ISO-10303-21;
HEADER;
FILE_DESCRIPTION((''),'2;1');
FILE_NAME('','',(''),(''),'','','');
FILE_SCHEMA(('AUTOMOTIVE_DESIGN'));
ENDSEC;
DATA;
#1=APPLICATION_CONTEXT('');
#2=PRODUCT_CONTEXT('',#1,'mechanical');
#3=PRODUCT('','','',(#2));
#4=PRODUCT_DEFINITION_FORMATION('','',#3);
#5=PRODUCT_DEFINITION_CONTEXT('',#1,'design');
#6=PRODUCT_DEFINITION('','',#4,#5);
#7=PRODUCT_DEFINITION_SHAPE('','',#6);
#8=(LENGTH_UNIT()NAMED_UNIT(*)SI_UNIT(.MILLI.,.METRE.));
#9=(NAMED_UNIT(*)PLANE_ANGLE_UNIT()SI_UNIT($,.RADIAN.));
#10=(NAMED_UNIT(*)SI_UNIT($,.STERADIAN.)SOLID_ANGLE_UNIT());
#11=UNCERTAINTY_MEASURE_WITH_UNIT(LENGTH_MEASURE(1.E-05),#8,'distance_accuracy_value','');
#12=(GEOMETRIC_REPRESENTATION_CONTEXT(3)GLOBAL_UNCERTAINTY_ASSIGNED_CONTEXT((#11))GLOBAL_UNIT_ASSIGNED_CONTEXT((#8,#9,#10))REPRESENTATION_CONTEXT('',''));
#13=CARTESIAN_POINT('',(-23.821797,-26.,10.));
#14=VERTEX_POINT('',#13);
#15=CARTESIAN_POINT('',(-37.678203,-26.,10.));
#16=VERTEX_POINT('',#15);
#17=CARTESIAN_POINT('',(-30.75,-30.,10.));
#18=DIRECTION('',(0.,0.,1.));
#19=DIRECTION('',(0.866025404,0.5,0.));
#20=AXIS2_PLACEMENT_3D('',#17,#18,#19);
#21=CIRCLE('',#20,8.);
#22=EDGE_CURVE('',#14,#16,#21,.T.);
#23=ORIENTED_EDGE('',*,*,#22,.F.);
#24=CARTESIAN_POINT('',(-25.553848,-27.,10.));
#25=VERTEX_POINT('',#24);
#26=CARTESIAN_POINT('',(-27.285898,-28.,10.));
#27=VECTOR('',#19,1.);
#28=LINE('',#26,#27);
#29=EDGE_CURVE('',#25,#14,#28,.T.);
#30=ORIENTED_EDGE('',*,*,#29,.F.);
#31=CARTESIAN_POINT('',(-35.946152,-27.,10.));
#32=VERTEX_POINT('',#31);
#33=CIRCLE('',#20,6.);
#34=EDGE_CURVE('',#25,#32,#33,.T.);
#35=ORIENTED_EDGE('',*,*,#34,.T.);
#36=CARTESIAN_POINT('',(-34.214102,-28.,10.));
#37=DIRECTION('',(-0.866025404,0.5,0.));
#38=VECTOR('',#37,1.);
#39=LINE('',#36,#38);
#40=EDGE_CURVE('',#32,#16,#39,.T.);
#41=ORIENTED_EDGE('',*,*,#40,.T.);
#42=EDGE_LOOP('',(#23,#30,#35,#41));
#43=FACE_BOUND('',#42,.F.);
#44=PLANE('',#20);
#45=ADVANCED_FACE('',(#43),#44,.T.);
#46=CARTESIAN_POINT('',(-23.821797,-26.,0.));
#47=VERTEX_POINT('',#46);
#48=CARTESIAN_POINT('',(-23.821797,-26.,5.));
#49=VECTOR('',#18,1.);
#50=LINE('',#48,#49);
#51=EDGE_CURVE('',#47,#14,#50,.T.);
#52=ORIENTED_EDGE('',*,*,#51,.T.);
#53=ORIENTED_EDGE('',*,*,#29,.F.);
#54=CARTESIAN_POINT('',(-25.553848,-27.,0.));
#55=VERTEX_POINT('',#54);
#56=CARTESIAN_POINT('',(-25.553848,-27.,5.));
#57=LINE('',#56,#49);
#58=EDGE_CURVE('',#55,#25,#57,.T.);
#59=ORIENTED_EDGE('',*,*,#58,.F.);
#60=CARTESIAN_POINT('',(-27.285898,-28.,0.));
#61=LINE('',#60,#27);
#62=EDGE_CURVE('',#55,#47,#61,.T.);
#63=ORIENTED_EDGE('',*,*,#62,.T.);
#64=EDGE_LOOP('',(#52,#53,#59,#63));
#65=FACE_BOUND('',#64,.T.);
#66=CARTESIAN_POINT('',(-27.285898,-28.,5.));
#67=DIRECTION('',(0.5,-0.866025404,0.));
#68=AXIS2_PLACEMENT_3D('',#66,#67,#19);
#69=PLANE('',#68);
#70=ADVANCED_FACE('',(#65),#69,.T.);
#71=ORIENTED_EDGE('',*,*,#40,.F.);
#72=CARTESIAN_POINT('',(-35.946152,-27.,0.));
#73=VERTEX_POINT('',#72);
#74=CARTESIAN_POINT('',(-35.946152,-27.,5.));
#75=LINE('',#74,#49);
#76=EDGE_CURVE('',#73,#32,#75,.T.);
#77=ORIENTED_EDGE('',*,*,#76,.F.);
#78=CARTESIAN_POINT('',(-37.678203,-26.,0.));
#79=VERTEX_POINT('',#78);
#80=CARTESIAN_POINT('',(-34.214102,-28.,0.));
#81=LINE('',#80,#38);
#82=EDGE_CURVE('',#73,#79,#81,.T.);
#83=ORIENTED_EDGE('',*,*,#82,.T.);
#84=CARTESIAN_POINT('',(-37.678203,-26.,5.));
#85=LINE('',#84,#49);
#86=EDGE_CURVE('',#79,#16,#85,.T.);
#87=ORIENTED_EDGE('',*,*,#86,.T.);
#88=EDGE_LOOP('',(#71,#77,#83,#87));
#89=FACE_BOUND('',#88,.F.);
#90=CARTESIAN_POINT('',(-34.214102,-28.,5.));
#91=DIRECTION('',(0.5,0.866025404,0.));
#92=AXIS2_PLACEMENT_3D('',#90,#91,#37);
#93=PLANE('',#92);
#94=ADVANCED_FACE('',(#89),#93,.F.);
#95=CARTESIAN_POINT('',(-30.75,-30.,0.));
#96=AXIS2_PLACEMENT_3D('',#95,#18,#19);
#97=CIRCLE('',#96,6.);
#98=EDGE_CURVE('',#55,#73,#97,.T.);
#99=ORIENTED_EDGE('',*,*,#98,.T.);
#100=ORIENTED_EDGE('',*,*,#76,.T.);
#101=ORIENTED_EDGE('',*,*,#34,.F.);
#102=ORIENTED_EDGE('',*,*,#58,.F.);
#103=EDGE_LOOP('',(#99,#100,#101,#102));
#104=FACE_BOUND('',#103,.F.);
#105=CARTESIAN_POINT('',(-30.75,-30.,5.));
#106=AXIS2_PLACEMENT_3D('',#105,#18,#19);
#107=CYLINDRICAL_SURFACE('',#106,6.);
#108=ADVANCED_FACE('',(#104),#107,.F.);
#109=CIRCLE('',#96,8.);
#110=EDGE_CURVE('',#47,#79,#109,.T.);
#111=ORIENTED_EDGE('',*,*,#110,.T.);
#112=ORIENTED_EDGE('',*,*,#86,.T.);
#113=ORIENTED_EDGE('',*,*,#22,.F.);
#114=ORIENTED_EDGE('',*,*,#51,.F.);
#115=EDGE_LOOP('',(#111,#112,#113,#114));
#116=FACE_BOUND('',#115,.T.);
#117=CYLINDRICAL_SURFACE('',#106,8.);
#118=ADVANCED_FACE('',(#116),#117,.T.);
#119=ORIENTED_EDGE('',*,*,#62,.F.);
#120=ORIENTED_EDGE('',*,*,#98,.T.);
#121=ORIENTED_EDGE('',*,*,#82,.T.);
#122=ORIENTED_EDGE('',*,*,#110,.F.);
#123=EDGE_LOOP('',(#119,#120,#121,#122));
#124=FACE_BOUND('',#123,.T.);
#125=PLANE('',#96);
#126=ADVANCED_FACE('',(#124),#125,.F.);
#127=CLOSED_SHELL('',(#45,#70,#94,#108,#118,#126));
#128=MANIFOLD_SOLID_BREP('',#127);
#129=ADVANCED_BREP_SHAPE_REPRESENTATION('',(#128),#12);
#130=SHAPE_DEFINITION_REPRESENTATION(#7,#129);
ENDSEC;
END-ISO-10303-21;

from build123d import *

# Parameters (mm, degrees)
CYLINDER020_W               = 6
CYLINDER020_H               = 10
CYLINDER020_ANGLE           = 120
CYLINDER020_PLACEMENT_ANGLE = 30
CYLINDER015_W               = 8
CYLINDER015_H               = 10
CYLINDER015_ANGLE           = 120
CYLINDER015_PLACEMENT_ANGLE = 30


with BuildPart() as cilindro011:
    # Cylinder020 → Cylinder020 (revolve)
    with BuildSketch(Plane.XZ):
        with Locations((3, 5)):
            Rectangle(CYLINDER020_W, CYLINDER020_H)
    revolve(axis=Axis((0, 0, 0), (0, 0, 1)), revolution_arc=CYLINDER020_ANGLE)


with BuildPart() as cilindro011_1:
    # Cylinder020 placement: moved
    add(cilindro011.part.moved(Location((-30.75, -30, 0))).rotate(Axis((-30.75, -30, 0), (0, 0, 1)), CYLINDER020_PLACEMENT_ANGLE))


with BuildPart() as inalambrico_medio001:
    # Cylinder015 → Cylinder015 (revolve)
    with BuildSketch(Plane.XZ):
        with Locations((4, 5)):
            Rectangle(CYLINDER015_W, CYLINDER015_H)
    revolve(axis=Axis((0, 0, 0), (0, 0, 1)), revolution_arc=CYLINDER015_ANGLE)


with BuildPart() as inalambrico_medio001_1:
    # Cylinder015 placement: moved
    add(inalambrico_medio001.part.moved(Location((-30.75, -30, 0))).rotate(Axis((-30.75, -30, 0), (0, 0, 1)), CYLINDER015_PLACEMENT_ANGLE))

    # Cut005: cut Cilindro011
    add(cilindro011_1.part, mode=Mode.SUBTRACT)


solid = inalambrico_medio001_1.part
